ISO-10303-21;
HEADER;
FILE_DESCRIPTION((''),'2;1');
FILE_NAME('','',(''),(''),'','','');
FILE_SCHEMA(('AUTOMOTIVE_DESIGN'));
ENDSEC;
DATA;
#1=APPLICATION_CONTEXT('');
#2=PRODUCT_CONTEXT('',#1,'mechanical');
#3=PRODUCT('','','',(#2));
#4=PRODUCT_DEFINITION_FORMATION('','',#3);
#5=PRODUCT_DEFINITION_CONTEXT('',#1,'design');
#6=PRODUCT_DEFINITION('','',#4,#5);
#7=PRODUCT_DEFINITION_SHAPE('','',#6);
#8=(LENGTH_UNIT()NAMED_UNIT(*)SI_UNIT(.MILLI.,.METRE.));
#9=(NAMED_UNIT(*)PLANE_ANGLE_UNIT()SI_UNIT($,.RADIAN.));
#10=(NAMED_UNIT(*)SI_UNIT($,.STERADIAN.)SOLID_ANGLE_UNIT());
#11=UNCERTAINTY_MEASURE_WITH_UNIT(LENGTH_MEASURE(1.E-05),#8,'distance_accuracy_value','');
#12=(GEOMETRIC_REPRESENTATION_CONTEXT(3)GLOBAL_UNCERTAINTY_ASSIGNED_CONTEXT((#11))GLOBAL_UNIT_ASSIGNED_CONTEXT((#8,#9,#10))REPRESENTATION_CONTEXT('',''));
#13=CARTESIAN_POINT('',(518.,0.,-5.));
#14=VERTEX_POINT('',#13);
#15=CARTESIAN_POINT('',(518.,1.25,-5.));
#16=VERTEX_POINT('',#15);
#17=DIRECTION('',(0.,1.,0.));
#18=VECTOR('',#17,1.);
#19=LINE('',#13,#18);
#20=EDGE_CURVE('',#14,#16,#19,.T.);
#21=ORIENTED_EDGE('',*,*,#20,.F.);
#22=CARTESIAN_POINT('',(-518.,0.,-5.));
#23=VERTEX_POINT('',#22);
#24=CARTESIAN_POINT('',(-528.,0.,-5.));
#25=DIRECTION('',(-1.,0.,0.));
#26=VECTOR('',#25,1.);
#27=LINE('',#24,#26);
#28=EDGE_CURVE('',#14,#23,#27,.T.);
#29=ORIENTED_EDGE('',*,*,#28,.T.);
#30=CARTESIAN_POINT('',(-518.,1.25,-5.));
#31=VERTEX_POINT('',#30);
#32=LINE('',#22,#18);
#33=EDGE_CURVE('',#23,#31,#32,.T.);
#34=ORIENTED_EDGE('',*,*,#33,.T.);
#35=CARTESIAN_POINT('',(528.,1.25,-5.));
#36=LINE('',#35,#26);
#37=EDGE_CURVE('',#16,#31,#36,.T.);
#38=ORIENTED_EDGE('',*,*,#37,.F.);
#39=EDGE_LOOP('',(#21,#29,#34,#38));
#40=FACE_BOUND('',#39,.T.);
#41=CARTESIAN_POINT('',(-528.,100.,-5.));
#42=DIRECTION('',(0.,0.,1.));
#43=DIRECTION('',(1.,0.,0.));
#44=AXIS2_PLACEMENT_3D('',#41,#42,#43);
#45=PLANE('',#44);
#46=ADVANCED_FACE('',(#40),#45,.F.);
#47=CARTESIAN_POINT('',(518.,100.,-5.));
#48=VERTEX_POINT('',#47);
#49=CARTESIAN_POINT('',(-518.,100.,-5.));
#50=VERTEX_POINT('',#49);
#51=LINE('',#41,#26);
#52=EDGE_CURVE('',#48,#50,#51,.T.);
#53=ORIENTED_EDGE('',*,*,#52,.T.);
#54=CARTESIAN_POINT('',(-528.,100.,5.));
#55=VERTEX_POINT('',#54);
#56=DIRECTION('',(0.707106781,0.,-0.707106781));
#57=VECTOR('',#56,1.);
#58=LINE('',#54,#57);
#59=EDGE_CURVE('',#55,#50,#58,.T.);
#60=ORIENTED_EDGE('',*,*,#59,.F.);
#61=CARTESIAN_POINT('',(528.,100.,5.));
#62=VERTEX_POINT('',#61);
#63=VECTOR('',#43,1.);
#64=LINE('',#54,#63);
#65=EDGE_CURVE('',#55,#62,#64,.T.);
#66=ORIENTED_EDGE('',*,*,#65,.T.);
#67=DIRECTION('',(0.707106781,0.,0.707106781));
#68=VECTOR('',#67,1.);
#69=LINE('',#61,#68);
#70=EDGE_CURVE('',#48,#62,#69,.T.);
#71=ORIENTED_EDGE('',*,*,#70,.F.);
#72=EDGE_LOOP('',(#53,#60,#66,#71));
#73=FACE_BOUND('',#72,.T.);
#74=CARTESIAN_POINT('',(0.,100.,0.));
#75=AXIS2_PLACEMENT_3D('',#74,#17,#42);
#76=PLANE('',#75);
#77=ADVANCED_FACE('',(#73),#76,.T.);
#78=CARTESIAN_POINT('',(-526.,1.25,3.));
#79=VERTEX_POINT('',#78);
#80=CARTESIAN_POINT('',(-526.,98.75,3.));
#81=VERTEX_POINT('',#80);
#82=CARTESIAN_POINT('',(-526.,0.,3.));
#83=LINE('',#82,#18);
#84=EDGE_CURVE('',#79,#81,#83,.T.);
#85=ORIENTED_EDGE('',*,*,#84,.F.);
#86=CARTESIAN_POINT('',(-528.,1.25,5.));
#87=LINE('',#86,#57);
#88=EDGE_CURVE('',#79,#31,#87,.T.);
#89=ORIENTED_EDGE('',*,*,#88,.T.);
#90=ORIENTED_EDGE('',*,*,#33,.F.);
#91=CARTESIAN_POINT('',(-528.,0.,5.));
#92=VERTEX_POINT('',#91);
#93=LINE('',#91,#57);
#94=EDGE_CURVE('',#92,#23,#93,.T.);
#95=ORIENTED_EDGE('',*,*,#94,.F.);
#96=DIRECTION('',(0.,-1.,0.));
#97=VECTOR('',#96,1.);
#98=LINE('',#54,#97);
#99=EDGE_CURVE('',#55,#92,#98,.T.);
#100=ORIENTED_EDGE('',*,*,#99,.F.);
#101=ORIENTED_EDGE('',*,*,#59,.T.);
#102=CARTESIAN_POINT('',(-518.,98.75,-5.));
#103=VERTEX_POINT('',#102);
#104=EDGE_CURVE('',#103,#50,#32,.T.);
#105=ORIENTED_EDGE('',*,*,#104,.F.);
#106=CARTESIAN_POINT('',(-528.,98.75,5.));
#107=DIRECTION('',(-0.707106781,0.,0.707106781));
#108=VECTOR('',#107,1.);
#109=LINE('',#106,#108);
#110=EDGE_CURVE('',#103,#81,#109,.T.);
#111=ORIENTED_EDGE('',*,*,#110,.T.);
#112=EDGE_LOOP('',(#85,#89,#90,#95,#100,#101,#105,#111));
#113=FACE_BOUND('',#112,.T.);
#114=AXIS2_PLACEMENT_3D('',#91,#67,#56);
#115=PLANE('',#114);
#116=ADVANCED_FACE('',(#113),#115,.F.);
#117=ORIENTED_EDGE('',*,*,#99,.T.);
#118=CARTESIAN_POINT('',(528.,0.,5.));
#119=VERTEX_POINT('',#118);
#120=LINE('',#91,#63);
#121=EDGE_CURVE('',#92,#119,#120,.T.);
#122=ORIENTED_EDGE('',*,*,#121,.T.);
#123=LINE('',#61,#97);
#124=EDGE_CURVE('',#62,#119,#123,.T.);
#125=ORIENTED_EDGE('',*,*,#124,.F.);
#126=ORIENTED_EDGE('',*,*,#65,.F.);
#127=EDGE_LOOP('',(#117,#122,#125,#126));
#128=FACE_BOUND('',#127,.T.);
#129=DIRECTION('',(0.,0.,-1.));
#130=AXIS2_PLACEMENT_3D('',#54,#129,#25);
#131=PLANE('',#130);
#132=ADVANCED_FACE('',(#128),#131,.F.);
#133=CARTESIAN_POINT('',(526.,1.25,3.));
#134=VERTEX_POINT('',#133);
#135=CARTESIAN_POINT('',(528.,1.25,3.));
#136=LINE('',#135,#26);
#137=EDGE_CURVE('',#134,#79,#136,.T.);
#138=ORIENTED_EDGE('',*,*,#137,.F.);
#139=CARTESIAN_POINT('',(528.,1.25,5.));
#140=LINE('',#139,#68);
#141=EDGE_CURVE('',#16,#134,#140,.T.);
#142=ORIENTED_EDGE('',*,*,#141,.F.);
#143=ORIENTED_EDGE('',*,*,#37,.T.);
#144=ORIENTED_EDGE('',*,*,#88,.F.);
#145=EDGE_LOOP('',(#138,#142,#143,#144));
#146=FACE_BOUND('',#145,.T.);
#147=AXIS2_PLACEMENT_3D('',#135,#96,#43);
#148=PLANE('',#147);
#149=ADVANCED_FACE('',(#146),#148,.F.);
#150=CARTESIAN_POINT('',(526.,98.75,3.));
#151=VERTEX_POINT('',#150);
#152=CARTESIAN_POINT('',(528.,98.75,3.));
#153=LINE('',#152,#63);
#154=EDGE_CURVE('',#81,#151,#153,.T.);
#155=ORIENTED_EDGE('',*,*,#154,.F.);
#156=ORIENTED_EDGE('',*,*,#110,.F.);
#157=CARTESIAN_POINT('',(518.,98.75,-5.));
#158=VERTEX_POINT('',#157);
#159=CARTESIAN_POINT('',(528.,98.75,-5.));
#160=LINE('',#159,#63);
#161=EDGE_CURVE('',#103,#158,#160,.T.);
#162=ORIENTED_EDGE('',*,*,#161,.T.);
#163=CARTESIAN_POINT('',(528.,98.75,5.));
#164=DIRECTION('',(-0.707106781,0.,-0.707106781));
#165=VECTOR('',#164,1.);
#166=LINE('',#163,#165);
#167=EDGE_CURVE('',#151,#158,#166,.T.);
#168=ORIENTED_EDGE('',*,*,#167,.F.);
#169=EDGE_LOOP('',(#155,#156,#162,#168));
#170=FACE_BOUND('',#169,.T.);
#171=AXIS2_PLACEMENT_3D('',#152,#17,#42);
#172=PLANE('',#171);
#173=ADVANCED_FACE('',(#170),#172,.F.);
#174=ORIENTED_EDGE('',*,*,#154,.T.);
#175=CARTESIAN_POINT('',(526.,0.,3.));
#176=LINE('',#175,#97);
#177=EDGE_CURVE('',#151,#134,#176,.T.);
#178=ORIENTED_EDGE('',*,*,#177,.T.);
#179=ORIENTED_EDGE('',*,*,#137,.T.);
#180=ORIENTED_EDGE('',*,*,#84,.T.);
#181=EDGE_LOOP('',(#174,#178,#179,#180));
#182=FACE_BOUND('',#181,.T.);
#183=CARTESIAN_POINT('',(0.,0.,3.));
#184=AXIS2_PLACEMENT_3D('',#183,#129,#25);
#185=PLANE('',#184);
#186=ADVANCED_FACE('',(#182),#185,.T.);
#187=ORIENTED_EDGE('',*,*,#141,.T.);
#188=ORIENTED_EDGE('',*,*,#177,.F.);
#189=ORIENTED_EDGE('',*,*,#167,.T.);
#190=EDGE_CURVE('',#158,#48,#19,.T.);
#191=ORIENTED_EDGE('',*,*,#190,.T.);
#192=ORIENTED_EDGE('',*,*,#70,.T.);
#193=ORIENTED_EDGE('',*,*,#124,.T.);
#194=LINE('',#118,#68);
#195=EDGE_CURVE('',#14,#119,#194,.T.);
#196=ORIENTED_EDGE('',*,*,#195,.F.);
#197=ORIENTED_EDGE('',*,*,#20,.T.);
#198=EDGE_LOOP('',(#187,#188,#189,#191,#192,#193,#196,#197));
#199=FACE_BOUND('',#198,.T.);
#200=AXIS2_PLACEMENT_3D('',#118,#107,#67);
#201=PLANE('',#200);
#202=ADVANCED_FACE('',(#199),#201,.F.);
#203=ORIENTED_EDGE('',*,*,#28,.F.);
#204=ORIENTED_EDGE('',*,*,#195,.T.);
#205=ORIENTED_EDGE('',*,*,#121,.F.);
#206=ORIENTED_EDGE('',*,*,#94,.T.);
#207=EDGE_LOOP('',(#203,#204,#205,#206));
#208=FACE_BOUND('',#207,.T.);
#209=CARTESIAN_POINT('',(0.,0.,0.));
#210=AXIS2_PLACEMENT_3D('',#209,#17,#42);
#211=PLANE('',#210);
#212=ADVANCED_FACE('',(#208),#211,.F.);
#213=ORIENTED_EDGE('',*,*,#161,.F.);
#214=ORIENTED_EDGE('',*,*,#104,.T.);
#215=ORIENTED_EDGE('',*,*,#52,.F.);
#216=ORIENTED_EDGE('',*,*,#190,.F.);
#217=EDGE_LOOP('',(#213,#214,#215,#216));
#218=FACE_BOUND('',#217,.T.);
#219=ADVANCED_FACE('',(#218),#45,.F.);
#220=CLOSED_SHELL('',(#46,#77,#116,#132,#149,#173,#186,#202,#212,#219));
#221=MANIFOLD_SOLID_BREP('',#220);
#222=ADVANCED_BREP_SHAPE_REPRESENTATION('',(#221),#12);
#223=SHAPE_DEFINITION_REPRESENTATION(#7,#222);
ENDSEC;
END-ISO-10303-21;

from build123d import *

# Parameters (mm, degrees)
CROQUIS1_W              = 1056
CROQUIS1_H              = 10
SALIENTE_EXTRUIR1_DEPTH = 100
CORTAR_EXTRUIR1_DEPTH   = 100
CROQUIS3_W              = 1056
CROQUIS3_H              = 97.5
CORTAR_EXTRUIR2_DEPTH   = 8


with BuildPart() as part:
    # Croquis1 → Saliente-Extruir1 (new body)
    with BuildSketch(Plane(origin=(0, 0, 0), x_dir=(1, 0, 0), z_dir=(0, 1, 0))):
        Rectangle(CROQUIS1_W, CROQUIS1_H)
    extrude(amount=SALIENTE_EXTRUIR1_DEPTH)

    # Croquis2 → Cortar-Extruir1 (cut)
    with BuildSketch(Plane(origin=(0, 100, 0), x_dir=(1, 0, 0), z_dir=(0, 1, 0))):
        Polygon((-528, -5), (-518, 5), (-528, 5), align=None)
        Polygon((518, 5), (528, 5), (528, -5), align=None)
    extrude(amount=-CORTAR_EXTRUIR1_DEPTH, mode=Mode.SUBTRACT)

    # Croquis3 → Cortar-Extruir2 (cut)
    with BuildSketch(Plane(origin=(0, 0, -5), x_dir=(-1, 0, 0), z_dir=(0, 0, -1))):
        with Locations((0, 50)):
            Rectangle(CROQUIS3_W, CROQUIS3_H)
    extrude(amount=-CORTAR_EXTRUIR2_DEPTH, mode=Mode.SUBTRACT)


solid = part.part
